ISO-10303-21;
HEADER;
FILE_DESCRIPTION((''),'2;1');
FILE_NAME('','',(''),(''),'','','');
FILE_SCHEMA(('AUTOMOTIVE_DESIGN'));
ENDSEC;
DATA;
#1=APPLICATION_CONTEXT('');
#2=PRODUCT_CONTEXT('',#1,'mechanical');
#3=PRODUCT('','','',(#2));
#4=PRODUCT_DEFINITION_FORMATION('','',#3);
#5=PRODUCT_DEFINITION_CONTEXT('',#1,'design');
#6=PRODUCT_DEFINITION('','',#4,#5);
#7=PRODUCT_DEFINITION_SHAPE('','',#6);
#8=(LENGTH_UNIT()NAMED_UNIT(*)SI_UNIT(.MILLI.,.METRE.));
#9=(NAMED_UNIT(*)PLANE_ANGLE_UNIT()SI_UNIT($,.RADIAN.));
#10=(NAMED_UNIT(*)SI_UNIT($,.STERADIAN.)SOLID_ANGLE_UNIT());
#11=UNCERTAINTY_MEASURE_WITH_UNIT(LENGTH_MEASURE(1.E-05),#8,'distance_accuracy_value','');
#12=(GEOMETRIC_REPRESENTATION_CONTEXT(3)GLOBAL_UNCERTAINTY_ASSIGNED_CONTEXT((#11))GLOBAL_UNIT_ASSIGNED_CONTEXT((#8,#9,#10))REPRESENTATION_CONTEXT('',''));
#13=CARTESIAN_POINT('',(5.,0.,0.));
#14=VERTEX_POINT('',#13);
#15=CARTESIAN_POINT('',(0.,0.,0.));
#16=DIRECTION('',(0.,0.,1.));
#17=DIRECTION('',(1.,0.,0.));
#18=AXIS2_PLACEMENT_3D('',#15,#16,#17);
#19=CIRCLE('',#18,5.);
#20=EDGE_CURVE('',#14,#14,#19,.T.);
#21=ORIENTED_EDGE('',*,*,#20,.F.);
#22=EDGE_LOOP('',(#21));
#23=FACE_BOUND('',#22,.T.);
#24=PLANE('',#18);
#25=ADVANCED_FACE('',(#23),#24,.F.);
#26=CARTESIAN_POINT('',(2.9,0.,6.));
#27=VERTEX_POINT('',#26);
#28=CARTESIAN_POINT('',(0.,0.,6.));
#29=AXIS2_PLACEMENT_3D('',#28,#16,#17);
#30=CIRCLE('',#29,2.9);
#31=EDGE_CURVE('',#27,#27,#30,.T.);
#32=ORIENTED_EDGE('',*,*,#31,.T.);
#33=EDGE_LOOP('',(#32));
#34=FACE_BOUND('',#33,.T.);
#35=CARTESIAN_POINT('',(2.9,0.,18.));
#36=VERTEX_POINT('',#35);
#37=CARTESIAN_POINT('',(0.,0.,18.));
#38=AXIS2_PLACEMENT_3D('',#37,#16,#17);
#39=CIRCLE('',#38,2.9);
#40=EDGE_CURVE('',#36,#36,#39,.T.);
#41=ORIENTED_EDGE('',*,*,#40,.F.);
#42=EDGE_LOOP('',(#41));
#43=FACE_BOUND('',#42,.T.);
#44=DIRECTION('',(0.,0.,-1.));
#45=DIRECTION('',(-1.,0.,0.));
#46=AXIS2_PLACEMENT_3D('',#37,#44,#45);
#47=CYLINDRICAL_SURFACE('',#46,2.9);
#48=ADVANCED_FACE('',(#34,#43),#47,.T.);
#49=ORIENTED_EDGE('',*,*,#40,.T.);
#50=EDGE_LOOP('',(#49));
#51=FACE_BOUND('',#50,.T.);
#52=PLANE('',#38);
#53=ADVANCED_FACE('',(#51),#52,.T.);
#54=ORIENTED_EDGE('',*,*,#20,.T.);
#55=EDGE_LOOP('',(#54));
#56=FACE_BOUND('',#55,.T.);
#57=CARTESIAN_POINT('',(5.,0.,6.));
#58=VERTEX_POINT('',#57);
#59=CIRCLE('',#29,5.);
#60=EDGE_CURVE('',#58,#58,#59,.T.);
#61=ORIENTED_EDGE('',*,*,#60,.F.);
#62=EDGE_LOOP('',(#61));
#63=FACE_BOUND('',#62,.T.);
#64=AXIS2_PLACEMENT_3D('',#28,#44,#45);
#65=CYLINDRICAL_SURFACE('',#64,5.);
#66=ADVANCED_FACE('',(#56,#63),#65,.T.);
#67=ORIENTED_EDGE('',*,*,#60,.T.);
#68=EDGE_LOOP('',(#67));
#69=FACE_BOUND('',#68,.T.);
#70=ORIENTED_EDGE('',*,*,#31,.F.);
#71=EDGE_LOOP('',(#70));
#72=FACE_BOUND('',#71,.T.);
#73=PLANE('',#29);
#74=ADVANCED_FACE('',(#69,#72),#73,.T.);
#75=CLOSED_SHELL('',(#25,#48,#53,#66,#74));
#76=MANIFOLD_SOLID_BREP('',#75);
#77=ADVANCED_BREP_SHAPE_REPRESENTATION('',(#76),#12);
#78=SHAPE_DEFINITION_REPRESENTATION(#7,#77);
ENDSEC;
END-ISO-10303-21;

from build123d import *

# Parameters (mm, degrees)
SKIZZE1_R                       = 2.9
AUFSATZ_LINEAR_AUSTRAGEN1_DEPTH = 18
SKIZZE1_3_R                     = 5
SKIZZE1_3_R_2                   = 2.9
AUFSATZ_LINEAR_AUSTRAGEN2_DEPTH = 6


with BuildPart() as part:
    # Skizze1 → Aufsatz-Linear austragen1 (new body)
    with BuildSketch(Plane.XY):
        Circle(SKIZZE1_R)
    extrude(amount=AUFSATZ_LINEAR_AUSTRAGEN1_DEPTH)

    # Skizze1<3> → Aufsatz-Linear austragen2 (add)
    with BuildSketch(Plane.XY):
        Circle(SKIZZE1_3_R)
        Circle(SKIZZE1_3_R_2, mode=Mode.SUBTRACT)
    extrude(amount=AUFSATZ_LINEAR_AUSTRAGEN2_DEPTH)


solid = part.part
